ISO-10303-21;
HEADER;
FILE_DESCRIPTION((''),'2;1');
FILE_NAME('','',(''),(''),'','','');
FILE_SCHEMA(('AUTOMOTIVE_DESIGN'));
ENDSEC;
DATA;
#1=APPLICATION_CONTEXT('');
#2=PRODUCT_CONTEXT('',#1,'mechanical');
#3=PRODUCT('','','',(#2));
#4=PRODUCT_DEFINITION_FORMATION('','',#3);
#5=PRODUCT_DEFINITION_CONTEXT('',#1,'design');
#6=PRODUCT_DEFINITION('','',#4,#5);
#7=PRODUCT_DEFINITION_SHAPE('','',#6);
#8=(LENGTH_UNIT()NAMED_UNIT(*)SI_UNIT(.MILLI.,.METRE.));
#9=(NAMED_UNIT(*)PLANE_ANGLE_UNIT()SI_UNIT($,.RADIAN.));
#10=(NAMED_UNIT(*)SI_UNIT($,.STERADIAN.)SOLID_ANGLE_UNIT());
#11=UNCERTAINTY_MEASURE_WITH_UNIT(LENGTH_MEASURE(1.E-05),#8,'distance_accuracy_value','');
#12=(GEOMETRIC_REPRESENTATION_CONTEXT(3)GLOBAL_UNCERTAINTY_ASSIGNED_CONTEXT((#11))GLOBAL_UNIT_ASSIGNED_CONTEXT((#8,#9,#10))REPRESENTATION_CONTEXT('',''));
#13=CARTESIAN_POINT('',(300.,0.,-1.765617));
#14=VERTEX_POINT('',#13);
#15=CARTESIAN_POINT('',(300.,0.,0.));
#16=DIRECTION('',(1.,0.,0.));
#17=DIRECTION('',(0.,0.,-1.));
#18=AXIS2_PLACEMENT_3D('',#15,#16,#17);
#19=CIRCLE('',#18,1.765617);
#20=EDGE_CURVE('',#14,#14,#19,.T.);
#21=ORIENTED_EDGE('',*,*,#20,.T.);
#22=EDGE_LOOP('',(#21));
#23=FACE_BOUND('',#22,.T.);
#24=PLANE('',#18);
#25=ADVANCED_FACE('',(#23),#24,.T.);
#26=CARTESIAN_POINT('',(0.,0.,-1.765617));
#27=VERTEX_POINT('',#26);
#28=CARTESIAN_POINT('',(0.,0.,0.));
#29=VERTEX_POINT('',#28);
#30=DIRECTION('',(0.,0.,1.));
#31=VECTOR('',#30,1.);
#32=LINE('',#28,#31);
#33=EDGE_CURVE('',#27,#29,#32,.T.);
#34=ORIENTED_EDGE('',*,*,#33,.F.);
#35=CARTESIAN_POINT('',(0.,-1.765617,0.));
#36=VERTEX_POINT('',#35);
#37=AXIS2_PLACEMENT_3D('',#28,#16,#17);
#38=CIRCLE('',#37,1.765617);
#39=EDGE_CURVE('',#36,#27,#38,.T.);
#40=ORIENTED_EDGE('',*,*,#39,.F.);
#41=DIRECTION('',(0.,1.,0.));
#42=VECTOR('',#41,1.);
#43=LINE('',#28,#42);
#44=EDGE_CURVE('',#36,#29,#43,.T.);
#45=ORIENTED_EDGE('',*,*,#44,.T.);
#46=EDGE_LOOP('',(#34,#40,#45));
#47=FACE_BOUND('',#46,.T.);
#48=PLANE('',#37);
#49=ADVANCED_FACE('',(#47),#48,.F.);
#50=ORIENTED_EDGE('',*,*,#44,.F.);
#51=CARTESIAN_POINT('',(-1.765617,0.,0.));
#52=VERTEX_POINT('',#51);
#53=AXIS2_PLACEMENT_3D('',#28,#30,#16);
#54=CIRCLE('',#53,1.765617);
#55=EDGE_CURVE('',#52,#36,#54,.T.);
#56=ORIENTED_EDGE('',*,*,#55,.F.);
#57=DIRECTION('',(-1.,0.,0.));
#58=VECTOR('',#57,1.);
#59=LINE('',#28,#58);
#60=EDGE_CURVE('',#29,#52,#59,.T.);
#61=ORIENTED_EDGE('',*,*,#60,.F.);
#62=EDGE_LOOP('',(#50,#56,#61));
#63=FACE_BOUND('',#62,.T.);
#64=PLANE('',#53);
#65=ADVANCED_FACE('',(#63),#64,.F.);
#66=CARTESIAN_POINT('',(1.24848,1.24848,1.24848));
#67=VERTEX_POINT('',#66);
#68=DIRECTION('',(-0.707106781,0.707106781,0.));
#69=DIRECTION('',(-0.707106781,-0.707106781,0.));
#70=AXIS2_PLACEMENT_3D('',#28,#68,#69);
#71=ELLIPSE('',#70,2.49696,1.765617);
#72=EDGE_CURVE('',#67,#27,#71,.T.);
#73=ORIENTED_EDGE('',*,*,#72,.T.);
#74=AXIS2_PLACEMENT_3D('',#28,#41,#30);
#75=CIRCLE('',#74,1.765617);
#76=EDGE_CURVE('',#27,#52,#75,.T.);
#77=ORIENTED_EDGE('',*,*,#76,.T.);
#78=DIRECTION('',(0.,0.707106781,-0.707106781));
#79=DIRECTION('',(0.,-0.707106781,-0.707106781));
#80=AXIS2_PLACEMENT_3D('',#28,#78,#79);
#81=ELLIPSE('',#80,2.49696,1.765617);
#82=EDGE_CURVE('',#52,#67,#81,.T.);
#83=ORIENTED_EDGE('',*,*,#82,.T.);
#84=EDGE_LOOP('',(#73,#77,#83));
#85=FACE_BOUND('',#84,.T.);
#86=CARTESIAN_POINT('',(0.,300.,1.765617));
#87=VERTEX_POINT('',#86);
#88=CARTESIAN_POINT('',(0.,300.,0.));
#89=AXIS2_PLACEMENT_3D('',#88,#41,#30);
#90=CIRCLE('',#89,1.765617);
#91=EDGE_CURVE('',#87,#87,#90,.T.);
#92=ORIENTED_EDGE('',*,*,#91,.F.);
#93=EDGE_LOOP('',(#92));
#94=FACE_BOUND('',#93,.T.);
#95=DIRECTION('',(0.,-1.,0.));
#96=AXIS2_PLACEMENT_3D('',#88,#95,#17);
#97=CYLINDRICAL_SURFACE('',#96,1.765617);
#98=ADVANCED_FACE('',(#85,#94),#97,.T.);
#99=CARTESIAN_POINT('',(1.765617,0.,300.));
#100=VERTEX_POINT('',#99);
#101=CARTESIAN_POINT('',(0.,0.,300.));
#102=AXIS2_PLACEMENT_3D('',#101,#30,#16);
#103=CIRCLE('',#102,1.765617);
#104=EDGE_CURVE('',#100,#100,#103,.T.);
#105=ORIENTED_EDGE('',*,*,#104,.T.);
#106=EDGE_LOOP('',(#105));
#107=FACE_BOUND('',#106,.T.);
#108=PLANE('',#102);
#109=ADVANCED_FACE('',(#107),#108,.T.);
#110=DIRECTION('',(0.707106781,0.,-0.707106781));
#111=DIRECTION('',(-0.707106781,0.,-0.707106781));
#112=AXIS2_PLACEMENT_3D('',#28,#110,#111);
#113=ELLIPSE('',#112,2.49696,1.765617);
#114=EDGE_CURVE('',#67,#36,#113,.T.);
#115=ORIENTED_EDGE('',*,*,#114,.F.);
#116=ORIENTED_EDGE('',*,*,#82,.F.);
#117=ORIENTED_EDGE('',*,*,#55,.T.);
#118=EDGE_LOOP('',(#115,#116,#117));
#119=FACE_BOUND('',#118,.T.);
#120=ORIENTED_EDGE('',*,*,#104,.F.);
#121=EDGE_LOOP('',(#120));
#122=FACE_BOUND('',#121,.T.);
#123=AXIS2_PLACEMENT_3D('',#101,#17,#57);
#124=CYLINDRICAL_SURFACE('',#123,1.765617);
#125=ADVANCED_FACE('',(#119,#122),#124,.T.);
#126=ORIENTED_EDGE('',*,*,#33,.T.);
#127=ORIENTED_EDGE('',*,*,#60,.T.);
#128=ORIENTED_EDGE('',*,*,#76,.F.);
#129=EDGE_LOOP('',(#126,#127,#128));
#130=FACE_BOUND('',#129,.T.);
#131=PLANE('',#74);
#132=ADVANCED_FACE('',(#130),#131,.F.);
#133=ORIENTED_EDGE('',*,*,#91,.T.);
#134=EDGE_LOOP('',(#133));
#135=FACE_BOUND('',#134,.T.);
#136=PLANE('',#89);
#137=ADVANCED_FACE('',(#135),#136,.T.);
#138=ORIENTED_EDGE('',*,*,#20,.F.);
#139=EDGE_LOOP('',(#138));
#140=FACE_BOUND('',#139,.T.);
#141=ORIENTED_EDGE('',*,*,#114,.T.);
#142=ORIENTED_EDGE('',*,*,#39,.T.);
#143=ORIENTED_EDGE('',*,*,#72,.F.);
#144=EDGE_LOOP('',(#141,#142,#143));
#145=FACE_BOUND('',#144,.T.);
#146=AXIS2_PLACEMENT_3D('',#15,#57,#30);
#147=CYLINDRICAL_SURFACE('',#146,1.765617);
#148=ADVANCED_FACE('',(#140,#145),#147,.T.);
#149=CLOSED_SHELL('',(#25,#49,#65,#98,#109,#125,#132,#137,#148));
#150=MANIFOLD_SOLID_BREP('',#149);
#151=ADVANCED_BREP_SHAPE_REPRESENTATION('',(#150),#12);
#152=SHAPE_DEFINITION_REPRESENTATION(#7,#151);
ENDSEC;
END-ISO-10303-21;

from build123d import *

# Parameters (mm, degrees)
SKETCH1_R           = 1.765617114
BOSS_EXTRUDE1_DEPTH = 300
SKETCH2_R           = 1.765617114
BOSS_EXTRUDE2_DEPTH = 300
SKETCH3_R           = 1.765617114
BOSS_EXTRUDE3_DEPTH = 300


with BuildPart() as part:
    # Sketch1 → Boss-Extrude1 (new body)
    with BuildSketch(Plane.XY):
        Circle(SKETCH1_R)
    extrude(amount=BOSS_EXTRUDE1_DEPTH)

    # Sketch2 → Boss-Extrude2 (add)
    with BuildSketch(Plane(origin=(0, 0, 0), x_dir=(0, 0, -1), z_dir=(1, 0, 0))):
        with Locations(Location((0, 0, 0), (0, 0, 90))):
            Circle(SKETCH2_R)
    extrude(amount=BOSS_EXTRUDE2_DEPTH)

    # Sketch3 → Boss-Extrude3 (add)
    with BuildSketch(Plane(origin=(0, 0, 0), x_dir=(1, 0, 0), z_dir=(0, 1, 0))):
        with Locations(Location((0, 0, 0), (0, 0, 90))):
            Circle(SKETCH3_R)
    extrude(amount=BOSS_EXTRUDE3_DEPTH)


solid = part.part
